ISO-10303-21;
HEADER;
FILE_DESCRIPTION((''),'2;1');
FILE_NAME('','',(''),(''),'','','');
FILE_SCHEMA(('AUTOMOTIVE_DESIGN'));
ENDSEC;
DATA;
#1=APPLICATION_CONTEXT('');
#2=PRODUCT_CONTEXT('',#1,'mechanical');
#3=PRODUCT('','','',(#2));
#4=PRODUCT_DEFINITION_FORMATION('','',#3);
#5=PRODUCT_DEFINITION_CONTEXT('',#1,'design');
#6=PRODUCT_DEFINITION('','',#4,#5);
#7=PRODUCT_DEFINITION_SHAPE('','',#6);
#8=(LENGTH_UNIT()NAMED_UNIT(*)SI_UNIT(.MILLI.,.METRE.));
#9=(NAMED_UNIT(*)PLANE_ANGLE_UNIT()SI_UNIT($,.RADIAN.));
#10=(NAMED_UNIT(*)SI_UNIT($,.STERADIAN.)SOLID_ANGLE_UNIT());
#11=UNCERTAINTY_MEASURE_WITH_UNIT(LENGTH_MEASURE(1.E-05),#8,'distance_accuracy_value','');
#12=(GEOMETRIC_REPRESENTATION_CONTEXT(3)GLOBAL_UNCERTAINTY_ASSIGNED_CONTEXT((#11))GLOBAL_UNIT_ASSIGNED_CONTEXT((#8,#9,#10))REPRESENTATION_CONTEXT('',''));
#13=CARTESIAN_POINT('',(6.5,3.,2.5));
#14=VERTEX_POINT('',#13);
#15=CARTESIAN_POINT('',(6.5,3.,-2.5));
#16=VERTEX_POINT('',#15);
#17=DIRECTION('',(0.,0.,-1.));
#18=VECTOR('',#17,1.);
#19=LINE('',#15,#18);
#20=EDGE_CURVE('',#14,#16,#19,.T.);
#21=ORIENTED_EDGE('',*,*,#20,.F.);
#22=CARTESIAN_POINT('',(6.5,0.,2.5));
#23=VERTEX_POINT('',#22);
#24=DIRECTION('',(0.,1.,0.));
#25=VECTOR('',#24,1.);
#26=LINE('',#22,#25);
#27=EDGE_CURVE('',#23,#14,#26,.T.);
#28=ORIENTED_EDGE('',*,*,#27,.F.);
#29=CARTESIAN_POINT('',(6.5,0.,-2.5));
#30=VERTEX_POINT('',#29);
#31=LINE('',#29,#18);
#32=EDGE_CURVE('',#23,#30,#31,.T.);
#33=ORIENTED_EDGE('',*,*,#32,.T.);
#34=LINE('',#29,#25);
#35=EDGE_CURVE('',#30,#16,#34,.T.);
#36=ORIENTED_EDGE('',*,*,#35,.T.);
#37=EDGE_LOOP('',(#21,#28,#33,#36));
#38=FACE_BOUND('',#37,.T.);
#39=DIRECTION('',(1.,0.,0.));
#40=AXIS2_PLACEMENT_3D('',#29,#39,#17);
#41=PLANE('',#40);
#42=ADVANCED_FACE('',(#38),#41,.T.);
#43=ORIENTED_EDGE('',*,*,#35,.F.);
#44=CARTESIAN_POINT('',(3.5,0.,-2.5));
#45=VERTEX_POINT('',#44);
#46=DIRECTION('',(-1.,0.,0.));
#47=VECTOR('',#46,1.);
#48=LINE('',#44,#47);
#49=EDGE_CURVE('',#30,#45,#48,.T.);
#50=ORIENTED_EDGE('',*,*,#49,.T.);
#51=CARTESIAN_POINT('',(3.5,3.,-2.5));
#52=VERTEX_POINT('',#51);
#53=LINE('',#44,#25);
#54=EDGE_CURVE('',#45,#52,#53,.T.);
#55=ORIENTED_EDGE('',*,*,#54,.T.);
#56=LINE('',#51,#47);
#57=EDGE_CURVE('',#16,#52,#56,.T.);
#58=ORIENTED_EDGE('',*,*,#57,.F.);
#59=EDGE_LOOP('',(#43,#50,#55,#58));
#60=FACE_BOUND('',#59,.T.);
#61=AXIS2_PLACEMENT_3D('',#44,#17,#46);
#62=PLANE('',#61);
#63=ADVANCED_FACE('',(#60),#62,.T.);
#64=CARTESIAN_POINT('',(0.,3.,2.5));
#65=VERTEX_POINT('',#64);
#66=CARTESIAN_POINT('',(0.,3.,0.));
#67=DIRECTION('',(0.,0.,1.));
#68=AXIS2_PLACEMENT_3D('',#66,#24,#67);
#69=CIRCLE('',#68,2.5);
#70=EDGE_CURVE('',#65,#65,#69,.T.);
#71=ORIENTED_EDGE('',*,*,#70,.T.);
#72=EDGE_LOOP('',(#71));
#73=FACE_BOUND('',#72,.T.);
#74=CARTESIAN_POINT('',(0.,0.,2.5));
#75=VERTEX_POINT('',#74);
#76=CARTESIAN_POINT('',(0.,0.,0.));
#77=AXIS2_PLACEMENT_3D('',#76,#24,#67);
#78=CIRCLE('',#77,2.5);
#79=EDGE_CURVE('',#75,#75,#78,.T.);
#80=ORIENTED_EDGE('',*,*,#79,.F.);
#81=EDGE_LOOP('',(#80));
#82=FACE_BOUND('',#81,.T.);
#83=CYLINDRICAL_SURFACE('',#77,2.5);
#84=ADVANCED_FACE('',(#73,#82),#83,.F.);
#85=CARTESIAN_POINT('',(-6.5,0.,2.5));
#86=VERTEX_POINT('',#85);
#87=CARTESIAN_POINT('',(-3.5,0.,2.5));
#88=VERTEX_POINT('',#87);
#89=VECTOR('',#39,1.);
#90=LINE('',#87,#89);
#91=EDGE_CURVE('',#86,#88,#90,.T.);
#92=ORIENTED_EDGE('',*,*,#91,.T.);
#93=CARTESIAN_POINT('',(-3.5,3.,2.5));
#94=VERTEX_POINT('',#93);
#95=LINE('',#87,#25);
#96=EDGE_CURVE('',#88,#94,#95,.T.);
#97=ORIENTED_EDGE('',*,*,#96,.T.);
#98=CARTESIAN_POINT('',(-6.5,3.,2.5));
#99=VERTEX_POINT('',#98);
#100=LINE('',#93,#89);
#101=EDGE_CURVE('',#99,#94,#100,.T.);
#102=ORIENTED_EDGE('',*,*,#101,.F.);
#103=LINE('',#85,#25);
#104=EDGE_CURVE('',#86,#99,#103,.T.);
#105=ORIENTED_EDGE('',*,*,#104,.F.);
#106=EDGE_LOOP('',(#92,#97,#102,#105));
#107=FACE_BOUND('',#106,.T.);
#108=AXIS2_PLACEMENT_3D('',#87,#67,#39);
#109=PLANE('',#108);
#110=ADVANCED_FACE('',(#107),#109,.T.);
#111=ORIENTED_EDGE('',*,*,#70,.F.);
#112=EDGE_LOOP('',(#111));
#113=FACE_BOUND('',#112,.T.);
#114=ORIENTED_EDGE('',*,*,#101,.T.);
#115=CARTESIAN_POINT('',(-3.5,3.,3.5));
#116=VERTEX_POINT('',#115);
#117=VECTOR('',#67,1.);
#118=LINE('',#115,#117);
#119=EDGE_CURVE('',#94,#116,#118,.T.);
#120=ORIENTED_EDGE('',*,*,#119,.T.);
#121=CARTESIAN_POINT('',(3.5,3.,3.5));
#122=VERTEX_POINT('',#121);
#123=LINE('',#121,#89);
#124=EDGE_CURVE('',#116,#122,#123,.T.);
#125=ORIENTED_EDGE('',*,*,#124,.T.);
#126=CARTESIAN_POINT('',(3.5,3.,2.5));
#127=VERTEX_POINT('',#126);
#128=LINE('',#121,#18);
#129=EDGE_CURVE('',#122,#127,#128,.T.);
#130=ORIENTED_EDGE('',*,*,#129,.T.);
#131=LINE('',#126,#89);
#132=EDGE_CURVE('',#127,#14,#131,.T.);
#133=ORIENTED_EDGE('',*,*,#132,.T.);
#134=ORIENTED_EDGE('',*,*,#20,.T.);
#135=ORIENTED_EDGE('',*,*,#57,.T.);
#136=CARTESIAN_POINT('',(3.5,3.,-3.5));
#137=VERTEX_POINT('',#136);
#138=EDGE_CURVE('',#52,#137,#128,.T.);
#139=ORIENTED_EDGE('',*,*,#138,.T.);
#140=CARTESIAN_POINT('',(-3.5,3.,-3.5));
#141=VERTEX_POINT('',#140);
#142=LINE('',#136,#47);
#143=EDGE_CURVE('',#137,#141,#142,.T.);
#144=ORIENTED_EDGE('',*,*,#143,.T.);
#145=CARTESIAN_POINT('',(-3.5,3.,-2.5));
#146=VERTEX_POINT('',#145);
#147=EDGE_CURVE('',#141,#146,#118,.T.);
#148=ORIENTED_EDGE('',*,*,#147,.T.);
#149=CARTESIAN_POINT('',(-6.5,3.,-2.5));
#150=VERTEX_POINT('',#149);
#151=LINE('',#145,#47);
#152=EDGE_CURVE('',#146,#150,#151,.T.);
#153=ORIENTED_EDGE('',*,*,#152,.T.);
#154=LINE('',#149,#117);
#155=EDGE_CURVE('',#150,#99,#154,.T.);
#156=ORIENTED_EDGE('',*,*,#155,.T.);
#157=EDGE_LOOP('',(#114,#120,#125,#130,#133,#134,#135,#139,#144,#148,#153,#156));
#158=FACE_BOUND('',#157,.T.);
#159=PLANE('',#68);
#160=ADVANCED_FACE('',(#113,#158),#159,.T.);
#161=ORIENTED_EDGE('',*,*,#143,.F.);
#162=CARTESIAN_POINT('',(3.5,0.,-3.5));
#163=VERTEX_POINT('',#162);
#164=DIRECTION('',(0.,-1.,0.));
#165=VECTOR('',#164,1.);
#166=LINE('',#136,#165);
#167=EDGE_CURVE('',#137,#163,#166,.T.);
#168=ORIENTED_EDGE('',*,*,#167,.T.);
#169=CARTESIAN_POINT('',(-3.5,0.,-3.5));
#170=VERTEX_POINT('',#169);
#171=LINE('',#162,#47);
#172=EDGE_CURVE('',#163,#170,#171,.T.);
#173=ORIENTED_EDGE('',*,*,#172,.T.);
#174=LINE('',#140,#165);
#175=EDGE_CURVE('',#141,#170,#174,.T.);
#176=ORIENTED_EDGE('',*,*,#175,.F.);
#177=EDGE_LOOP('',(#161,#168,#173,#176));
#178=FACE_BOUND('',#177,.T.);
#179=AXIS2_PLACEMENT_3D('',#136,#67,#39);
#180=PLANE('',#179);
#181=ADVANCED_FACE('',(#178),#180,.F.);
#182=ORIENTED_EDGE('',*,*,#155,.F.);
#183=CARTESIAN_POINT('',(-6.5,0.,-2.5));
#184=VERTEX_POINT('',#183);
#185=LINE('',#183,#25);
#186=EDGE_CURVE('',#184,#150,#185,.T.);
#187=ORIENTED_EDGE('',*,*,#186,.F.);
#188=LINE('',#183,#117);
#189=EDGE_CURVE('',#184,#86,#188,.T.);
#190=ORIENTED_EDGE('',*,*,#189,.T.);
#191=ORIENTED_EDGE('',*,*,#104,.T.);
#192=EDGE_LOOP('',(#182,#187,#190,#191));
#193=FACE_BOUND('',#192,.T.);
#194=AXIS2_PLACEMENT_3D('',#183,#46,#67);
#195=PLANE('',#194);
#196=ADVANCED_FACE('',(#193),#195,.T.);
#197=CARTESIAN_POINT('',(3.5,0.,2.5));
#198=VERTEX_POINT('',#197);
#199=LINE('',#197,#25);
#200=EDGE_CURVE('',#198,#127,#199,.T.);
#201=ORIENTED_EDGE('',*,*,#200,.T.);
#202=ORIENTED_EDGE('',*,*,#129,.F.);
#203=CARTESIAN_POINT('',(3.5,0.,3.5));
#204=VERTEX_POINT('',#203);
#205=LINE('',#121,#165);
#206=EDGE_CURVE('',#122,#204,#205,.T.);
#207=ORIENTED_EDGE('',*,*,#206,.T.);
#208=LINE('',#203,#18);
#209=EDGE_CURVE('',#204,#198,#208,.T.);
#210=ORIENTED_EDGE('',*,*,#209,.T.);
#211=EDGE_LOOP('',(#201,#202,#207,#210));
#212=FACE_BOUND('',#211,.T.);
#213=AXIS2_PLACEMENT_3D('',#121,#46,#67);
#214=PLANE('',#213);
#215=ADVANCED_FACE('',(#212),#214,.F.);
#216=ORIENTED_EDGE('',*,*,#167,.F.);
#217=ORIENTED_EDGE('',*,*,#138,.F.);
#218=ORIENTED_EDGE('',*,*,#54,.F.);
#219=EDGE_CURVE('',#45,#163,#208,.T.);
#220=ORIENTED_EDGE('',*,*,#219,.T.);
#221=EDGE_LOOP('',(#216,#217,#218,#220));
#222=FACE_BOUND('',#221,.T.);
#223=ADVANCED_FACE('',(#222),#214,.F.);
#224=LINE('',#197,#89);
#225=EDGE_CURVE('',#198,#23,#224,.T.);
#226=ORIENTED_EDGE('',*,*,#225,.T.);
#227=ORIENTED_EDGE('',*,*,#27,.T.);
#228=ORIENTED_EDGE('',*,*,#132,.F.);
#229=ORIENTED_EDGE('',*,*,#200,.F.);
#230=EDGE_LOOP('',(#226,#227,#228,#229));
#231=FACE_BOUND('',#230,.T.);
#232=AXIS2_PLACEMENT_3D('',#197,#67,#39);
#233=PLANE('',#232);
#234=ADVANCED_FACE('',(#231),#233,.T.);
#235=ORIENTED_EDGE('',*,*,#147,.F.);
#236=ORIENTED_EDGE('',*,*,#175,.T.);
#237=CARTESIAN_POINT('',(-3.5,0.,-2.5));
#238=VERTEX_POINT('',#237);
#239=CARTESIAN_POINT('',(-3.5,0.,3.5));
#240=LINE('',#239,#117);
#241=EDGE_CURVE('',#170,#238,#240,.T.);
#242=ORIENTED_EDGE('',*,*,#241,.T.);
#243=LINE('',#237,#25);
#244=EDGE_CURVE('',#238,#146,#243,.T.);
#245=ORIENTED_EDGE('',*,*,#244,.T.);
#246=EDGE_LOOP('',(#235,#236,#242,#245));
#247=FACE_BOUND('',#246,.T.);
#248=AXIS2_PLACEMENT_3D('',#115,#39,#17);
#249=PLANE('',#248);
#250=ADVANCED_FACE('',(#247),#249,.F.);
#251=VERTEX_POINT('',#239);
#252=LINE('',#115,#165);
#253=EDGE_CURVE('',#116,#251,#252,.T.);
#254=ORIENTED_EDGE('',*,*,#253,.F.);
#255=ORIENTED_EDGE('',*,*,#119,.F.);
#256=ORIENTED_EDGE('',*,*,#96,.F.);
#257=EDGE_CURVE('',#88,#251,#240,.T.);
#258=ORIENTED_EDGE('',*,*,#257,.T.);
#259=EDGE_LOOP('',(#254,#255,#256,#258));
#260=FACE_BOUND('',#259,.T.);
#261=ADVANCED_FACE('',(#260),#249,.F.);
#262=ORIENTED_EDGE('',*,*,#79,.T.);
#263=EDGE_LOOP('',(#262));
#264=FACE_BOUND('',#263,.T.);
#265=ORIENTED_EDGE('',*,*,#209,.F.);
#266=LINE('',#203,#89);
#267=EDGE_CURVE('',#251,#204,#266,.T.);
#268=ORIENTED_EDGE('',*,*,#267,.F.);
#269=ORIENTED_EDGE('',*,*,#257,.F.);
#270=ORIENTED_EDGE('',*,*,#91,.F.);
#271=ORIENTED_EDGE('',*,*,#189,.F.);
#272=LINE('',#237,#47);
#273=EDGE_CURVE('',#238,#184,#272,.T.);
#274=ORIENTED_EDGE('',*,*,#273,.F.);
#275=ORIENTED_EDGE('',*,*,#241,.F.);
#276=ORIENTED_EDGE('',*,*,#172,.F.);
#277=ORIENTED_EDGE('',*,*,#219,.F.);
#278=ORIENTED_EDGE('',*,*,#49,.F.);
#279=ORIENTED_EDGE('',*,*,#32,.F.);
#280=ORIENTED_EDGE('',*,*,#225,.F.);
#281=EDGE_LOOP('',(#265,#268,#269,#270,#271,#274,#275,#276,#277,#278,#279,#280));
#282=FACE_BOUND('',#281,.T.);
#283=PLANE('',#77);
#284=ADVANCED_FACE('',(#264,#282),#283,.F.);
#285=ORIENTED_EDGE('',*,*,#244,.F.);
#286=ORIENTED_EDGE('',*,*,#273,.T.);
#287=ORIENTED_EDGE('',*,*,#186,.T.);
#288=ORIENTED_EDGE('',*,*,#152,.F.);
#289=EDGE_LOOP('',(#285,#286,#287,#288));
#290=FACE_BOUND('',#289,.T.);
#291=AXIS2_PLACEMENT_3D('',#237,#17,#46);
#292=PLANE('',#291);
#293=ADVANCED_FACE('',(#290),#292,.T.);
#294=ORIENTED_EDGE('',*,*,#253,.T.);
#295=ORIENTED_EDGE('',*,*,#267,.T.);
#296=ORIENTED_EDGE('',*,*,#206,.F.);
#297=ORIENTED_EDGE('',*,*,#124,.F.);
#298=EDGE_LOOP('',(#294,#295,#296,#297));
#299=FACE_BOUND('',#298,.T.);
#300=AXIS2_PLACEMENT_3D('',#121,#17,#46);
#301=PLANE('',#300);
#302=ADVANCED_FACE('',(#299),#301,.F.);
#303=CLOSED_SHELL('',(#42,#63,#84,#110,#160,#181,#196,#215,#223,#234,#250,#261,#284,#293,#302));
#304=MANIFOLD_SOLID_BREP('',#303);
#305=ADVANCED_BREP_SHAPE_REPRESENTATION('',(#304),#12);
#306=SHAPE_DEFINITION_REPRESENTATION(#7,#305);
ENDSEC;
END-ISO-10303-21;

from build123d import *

# Parameters (mm, degrees)
SKETCH1_W           = 7
SKETCH1_H           = 7
BOSS_EXTRUDE1_DEPTH = 3
SKETCH2_R           = 2.5
CUT_EXTRUDE1_DEPTH  = 3
SKETCH4_W           = 3
SKETCH4_H           = 5
BOSS_EXTRUDE2_DEPTH = 3


with BuildPart() as part:
    # Sketch1 → Boss-Extrude1 (new body)
    with BuildSketch(Plane(origin=(0, 0, 0), x_dir=(1, 0, 0), z_dir=(0, 1, 0))):
        Rectangle(SKETCH1_W, SKETCH1_H)
    extrude(amount=BOSS_EXTRUDE1_DEPTH)

    # Sketch2 → Cut-Extrude1 (cut)
    with BuildSketch(Plane(origin=(0, 3, 0), x_dir=(1, 0, 0), z_dir=(0, 1, 0))):
        with Locations(Location((0, 0, 0), (0, 0, 270))):
            Circle(SKETCH2_R)
    extrude(amount=-CUT_EXTRUDE1_DEPTH, mode=Mode.SUBTRACT)

    # Sketch4 → Boss-Extrude2 (add)
    with BuildSketch(Plane(origin=(0, 3, 0), x_dir=(1, 0, 0), z_dir=(0, 1, 0))):
        with Locations((-5, 0)):
            Rectangle(SKETCH4_W, SKETCH4_H)
        with Locations((5, 0)):
            Rectangle(SKETCH4_W, SKETCH4_H)
    extrude(amount=-BOSS_EXTRUDE2_DEPTH)


solid = part.part
